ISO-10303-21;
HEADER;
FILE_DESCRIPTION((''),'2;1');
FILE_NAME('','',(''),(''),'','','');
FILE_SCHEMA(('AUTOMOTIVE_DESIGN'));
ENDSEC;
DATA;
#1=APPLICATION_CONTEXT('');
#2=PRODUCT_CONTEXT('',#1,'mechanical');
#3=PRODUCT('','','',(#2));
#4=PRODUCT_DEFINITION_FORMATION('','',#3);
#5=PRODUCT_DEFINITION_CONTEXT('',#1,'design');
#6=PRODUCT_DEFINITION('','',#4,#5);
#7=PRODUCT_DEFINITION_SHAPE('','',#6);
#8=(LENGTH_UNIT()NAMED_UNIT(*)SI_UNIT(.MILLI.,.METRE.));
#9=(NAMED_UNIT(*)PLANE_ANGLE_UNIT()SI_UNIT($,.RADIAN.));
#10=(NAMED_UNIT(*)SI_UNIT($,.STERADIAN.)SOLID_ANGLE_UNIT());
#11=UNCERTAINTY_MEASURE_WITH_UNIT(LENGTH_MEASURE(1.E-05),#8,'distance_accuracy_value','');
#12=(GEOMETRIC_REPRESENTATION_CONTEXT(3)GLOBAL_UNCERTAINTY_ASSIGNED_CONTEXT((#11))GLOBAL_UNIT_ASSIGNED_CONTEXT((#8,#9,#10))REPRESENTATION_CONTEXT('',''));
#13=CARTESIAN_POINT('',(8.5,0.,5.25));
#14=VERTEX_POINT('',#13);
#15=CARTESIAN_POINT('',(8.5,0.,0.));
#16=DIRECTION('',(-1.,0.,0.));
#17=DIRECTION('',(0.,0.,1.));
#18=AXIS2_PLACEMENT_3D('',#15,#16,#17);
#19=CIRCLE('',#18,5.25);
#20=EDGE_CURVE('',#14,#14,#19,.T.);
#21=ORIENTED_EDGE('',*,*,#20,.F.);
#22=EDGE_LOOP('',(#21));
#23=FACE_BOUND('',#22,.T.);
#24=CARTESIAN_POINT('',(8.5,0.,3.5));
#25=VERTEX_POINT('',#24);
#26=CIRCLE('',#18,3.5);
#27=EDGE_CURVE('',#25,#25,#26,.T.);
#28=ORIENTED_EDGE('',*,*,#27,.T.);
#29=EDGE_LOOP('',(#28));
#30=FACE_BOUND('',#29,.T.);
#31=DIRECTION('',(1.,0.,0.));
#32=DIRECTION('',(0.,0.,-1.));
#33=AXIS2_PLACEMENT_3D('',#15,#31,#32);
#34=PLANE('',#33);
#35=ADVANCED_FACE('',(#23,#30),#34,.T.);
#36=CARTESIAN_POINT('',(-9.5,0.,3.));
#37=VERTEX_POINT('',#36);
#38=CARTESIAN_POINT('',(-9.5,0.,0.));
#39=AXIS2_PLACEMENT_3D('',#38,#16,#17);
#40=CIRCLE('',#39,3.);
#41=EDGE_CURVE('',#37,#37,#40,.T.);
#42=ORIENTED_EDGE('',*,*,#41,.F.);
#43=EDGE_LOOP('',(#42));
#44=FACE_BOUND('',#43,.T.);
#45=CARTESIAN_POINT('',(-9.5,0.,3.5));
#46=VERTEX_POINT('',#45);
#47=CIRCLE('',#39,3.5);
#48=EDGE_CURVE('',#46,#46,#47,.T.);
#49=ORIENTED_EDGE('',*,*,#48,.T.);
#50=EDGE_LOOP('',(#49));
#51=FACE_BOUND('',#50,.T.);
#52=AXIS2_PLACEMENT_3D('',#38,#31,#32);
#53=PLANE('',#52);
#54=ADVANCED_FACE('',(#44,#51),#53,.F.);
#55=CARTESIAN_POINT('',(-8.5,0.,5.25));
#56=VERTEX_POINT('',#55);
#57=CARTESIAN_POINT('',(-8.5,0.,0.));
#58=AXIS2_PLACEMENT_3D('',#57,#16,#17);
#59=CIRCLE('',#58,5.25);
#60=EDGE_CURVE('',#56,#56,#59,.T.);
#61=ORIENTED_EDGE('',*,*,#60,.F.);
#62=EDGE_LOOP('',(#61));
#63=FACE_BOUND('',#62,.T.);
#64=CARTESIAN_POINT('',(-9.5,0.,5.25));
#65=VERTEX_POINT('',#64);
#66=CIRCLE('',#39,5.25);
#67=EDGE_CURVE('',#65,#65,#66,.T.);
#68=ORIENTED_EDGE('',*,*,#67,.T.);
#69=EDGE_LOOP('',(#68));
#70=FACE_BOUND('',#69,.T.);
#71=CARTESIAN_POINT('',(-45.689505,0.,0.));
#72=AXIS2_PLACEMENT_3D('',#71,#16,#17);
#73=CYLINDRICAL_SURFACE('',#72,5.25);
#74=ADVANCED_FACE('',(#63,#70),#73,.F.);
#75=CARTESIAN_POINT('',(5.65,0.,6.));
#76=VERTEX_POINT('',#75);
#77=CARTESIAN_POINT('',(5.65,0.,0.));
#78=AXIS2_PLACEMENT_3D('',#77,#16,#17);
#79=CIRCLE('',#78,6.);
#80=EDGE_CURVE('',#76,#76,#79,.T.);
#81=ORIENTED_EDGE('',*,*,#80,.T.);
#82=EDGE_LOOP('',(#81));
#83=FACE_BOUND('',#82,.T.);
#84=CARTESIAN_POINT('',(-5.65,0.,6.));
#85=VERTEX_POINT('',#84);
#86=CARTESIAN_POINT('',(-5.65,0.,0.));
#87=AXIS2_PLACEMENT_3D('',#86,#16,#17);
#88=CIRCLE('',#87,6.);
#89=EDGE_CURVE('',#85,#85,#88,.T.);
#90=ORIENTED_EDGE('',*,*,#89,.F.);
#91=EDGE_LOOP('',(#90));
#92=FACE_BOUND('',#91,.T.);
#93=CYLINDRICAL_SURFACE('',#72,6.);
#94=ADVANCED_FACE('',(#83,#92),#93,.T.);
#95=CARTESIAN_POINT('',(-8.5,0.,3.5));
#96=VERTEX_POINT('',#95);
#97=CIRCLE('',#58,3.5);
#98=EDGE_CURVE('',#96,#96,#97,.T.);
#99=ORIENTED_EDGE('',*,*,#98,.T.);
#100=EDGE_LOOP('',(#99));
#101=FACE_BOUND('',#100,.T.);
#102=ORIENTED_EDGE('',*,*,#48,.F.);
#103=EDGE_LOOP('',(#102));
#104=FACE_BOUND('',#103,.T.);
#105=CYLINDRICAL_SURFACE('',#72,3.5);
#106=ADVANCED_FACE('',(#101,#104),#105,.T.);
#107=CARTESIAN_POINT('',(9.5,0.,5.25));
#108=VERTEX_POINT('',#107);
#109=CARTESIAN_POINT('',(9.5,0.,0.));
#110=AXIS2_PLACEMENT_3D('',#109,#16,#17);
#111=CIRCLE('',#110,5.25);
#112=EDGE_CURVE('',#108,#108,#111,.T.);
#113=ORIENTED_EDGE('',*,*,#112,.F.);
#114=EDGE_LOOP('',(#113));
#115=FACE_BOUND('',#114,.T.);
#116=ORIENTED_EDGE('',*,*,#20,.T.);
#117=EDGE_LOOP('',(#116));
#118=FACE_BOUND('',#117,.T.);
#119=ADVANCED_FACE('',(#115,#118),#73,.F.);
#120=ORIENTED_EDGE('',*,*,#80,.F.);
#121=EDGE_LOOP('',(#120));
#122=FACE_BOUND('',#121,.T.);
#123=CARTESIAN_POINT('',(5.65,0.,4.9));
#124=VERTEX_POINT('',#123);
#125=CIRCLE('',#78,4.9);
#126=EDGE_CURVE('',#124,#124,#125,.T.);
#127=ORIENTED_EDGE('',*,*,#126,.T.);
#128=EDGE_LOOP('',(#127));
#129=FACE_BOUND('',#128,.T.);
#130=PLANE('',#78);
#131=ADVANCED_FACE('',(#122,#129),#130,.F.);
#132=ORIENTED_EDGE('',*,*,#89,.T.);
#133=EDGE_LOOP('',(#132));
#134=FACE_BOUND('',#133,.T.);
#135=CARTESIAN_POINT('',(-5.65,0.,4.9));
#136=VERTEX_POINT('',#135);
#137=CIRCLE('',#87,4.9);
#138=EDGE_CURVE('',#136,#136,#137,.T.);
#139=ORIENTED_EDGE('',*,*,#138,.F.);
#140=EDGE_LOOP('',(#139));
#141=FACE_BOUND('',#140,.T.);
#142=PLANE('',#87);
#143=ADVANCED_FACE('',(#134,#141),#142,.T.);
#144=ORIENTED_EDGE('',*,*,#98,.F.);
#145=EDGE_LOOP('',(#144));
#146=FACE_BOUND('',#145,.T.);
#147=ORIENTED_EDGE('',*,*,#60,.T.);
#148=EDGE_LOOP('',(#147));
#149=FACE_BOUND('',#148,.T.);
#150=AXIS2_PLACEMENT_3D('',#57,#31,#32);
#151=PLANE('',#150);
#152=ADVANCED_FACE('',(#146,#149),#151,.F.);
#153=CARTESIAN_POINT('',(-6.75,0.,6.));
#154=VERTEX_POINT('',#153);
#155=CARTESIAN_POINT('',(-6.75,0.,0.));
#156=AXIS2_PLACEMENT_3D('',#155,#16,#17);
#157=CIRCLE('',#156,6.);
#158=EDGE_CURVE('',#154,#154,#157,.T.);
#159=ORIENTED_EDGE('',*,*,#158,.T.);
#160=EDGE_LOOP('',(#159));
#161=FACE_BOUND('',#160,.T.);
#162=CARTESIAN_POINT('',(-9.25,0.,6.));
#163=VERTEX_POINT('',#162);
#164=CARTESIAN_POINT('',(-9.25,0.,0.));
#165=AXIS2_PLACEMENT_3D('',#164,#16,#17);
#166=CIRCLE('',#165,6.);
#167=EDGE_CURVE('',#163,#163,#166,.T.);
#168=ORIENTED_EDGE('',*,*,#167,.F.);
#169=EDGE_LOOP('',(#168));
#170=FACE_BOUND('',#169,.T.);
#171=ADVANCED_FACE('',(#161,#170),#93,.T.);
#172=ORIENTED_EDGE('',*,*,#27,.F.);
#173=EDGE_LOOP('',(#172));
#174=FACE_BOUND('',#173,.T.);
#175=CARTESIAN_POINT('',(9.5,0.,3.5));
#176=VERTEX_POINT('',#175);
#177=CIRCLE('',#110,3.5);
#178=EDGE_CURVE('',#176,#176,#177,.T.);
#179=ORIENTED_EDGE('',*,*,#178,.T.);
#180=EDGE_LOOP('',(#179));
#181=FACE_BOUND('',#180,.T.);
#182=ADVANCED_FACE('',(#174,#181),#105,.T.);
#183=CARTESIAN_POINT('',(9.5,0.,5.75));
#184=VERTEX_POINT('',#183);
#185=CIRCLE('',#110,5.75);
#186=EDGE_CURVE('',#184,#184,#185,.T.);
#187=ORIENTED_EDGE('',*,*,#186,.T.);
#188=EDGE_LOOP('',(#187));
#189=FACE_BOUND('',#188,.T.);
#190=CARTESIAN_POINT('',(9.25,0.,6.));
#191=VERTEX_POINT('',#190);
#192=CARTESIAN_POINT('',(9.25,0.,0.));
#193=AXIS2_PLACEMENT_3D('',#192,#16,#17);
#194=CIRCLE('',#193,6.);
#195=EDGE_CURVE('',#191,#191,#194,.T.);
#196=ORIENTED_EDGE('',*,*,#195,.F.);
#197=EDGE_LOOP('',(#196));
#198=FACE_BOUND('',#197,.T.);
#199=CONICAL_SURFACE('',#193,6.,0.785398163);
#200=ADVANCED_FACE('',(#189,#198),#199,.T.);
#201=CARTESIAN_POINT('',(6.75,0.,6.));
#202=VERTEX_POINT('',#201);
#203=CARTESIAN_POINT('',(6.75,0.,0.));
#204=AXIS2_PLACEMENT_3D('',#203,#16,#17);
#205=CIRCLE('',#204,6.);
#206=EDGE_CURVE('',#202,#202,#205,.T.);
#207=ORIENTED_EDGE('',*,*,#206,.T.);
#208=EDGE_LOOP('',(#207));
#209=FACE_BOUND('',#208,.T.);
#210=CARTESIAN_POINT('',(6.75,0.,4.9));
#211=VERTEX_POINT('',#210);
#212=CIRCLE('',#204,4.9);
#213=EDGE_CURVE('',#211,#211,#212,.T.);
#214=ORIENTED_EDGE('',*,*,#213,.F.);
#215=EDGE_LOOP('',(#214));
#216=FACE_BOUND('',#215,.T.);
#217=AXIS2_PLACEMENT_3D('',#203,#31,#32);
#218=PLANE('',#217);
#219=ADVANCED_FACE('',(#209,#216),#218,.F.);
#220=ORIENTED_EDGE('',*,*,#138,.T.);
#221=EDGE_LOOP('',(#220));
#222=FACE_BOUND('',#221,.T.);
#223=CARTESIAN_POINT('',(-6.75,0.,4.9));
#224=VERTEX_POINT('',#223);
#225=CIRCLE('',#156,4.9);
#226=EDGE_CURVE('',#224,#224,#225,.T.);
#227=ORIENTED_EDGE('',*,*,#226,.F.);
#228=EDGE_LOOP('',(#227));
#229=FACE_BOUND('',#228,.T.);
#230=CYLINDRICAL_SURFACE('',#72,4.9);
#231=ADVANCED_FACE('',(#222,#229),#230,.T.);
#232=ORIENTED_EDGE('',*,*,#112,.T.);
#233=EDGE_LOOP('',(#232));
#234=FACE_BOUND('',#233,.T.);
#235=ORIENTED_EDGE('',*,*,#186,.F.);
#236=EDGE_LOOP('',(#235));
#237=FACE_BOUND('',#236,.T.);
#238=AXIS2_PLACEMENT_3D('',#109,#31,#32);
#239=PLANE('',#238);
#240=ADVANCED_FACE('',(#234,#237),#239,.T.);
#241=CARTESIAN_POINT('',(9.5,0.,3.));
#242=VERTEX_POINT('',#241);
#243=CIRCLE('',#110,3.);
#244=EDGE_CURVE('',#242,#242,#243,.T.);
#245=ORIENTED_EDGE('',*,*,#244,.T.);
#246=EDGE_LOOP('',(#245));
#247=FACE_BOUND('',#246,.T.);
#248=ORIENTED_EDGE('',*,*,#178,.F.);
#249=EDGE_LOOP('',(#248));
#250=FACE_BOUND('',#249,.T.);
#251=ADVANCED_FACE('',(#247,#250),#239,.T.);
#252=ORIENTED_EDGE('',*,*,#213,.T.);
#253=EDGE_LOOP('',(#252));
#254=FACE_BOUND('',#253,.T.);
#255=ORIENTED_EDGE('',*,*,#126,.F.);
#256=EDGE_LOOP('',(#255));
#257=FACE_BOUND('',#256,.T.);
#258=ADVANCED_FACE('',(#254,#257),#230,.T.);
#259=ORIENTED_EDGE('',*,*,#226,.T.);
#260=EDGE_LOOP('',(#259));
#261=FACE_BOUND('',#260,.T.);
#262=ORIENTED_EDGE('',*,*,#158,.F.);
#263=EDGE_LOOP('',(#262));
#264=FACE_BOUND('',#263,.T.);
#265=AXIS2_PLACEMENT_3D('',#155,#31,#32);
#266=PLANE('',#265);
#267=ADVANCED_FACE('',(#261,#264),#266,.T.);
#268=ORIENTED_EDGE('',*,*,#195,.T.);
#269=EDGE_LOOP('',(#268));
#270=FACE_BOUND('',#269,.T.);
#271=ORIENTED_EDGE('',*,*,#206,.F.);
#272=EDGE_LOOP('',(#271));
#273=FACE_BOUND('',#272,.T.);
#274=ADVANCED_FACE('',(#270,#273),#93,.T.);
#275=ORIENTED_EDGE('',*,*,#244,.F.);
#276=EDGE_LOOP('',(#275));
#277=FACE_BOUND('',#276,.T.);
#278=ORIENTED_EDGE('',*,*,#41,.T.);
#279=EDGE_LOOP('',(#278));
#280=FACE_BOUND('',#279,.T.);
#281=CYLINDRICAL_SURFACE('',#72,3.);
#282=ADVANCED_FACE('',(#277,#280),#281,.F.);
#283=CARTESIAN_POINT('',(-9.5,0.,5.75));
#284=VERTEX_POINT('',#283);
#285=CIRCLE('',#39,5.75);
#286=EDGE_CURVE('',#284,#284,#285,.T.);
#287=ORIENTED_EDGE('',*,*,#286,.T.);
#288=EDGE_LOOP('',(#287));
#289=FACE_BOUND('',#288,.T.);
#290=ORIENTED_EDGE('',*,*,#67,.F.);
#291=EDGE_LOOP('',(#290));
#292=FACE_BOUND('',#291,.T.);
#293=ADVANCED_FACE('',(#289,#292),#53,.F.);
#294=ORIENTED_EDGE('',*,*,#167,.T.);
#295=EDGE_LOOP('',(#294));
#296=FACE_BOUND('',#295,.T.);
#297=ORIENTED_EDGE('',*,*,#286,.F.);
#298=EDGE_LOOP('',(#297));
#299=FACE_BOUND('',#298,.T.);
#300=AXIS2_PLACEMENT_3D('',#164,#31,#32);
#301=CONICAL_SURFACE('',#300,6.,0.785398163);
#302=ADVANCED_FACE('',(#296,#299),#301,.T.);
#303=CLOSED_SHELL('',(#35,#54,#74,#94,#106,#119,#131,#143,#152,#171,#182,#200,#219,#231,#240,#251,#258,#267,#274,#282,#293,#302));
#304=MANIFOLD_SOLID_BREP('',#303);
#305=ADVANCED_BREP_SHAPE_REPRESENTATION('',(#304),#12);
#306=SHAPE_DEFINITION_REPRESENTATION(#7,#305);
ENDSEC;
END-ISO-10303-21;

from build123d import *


with BuildPart() as part:
    # Sketch1 → Revolve1 (revolve)
    with BuildSketch(Plane.XY, mode=Mode.PRIVATE) as revolve1_sk:
        Polygon((9.25, 6), (9.5, 5.75), (9.5, 5.25), (8.5, 5.25), (8.5, 3.5), (9.5, 3.5), (9.5, 3), (-9.5, 3), (-9.5, 3.5), (-8.5, 3.5), (-8.5, 5.25), (-9.5, 5.25), (-9.5, 5.75), (-9.25, 6), (-6.75, 6), (-6.75, 4.9), (-5.65, 4.9), (-5.65, 6), (5.65, 6), (5.65, 4.9), (6.75, 4.9), (6.75, 6), align=None)
    revolve(revolve1_sk.sketch.rotate(Axis((-45.689505325, 0, 0), (1, 0, 0)), 90), axis=Axis((-45.689505325, 0, 0), (1, 0, 0)))


solid = part.part
